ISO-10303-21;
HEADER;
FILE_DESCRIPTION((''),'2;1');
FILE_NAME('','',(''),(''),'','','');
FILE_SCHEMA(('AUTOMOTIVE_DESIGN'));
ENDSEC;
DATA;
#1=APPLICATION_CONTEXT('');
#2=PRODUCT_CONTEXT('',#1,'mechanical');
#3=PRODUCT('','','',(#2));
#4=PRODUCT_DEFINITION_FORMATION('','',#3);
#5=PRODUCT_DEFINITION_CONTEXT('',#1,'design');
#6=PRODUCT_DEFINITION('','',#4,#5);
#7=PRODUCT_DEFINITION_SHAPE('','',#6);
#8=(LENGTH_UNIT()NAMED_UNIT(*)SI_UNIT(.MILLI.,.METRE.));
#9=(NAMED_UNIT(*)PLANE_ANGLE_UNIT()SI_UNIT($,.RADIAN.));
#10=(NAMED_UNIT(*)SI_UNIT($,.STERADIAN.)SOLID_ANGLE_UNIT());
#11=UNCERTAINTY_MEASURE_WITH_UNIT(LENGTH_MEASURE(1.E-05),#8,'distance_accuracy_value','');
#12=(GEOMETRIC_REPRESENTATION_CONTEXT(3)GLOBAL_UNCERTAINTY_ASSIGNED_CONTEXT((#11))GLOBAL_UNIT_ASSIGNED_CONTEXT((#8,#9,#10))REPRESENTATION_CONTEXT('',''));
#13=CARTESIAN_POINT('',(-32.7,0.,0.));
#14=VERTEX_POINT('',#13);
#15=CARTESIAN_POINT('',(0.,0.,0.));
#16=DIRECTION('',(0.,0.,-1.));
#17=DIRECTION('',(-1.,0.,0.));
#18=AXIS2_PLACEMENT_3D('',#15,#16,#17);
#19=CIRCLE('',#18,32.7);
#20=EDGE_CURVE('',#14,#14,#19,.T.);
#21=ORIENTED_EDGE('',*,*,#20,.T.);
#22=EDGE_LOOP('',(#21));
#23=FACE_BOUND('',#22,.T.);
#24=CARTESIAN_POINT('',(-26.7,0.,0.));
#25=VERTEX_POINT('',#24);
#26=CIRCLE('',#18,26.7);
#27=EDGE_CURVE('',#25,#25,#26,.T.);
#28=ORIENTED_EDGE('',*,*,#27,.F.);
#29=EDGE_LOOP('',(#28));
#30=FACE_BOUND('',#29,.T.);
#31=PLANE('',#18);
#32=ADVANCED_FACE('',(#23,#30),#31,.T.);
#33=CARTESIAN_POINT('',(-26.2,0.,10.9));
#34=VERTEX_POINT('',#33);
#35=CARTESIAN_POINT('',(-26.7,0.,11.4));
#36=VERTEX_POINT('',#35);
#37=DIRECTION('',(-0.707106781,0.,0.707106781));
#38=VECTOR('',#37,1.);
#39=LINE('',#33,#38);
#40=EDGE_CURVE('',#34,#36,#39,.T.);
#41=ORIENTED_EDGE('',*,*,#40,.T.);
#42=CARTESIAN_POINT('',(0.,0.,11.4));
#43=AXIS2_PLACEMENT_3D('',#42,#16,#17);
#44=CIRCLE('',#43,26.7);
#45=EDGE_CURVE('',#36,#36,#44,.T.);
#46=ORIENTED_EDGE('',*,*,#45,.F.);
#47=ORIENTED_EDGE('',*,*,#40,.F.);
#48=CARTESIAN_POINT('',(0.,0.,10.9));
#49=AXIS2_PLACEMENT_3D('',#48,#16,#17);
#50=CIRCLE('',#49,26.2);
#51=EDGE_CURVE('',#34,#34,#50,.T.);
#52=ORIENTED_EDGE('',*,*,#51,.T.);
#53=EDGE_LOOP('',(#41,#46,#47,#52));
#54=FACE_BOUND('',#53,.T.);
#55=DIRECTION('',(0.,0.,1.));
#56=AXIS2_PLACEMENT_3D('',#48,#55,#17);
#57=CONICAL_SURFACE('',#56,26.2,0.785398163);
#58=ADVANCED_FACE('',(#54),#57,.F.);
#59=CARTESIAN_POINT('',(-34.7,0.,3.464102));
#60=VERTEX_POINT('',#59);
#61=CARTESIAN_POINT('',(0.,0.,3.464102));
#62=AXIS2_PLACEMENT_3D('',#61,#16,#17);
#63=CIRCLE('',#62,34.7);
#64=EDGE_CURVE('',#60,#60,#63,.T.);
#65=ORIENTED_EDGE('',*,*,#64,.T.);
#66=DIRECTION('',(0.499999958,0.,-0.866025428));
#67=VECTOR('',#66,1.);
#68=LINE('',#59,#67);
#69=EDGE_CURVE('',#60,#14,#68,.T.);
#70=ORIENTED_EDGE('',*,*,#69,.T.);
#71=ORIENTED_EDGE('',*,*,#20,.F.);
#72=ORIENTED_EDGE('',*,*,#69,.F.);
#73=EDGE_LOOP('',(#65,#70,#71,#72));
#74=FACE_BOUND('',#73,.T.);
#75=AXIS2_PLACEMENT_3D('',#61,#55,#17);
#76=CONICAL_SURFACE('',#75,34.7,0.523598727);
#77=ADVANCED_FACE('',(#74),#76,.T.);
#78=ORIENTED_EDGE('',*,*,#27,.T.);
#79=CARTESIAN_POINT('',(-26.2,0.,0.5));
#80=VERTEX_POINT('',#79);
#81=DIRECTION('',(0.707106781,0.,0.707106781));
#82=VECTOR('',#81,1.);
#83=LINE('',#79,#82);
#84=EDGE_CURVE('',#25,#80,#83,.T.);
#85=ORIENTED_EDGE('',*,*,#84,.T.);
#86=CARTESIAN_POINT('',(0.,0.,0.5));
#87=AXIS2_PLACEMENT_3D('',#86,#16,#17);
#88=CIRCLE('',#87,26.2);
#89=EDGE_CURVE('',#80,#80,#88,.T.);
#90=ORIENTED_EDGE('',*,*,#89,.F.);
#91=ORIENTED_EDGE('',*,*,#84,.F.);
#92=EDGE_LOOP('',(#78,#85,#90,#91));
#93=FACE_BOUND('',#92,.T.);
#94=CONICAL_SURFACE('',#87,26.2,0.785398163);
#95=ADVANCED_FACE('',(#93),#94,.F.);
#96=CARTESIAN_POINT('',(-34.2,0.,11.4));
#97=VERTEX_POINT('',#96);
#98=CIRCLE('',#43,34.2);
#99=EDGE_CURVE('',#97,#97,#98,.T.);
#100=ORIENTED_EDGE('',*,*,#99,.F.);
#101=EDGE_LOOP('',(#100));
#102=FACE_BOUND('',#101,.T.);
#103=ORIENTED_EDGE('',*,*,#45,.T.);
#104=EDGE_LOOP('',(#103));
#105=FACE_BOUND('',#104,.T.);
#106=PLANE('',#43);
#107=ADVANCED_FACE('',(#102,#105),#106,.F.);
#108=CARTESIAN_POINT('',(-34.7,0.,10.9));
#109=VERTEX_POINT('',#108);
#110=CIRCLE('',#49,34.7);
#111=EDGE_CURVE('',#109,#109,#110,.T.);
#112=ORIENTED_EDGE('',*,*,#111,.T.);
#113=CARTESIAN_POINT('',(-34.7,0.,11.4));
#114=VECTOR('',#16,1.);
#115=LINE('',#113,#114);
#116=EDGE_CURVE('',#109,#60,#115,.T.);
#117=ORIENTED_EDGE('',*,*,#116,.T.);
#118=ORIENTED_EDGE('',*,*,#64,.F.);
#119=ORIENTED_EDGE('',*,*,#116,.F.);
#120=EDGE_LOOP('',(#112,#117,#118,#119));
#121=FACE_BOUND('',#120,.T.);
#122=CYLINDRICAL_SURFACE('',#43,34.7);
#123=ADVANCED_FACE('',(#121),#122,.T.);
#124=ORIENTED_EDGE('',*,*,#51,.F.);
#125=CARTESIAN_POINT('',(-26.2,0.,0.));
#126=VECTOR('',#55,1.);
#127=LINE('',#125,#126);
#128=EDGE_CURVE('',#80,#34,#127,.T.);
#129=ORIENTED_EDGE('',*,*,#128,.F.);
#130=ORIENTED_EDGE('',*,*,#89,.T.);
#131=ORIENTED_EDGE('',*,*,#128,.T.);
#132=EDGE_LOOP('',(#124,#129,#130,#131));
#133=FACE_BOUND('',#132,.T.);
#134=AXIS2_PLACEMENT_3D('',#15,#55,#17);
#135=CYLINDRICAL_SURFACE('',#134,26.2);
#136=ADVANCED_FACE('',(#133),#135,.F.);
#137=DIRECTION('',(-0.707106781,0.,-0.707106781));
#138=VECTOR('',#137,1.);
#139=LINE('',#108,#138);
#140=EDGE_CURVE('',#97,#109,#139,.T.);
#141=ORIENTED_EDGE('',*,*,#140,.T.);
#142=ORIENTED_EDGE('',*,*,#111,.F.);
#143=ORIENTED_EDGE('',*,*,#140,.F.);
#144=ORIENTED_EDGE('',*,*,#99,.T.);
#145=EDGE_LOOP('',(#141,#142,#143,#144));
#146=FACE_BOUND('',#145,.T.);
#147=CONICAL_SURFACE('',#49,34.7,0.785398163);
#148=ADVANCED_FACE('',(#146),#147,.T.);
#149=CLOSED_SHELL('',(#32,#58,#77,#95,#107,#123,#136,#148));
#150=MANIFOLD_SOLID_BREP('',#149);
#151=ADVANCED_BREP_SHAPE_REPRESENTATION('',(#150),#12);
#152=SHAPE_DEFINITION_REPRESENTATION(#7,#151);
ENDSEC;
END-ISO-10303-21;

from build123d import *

# Parameters (mm, degrees)
F2_SIZE = 0.5


with BuildPart() as f1:
    # F0 (on Front) → F1 (revolve)
    with BuildSketch(Plane.XZ):
        Polygon((-32.7, 0), (-26.2, 0), (-26.2, 11.4), (-34.7, 11.4), (-34.7, 3.464102), align=None)
    revolve(axis=Axis((0, 0, 86.271172), (0, 0, -1)))

    # F2
    f2_edges = [f1.edges().sort_by_distance(p)[0] for p in [
        (26.2, 0, 11.4),
        (34.7, 0, 11.4),
        (26.2, 0, 0),
    ]]
    chamfer(f2_edges, length=F2_SIZE)


solid = f1.part
